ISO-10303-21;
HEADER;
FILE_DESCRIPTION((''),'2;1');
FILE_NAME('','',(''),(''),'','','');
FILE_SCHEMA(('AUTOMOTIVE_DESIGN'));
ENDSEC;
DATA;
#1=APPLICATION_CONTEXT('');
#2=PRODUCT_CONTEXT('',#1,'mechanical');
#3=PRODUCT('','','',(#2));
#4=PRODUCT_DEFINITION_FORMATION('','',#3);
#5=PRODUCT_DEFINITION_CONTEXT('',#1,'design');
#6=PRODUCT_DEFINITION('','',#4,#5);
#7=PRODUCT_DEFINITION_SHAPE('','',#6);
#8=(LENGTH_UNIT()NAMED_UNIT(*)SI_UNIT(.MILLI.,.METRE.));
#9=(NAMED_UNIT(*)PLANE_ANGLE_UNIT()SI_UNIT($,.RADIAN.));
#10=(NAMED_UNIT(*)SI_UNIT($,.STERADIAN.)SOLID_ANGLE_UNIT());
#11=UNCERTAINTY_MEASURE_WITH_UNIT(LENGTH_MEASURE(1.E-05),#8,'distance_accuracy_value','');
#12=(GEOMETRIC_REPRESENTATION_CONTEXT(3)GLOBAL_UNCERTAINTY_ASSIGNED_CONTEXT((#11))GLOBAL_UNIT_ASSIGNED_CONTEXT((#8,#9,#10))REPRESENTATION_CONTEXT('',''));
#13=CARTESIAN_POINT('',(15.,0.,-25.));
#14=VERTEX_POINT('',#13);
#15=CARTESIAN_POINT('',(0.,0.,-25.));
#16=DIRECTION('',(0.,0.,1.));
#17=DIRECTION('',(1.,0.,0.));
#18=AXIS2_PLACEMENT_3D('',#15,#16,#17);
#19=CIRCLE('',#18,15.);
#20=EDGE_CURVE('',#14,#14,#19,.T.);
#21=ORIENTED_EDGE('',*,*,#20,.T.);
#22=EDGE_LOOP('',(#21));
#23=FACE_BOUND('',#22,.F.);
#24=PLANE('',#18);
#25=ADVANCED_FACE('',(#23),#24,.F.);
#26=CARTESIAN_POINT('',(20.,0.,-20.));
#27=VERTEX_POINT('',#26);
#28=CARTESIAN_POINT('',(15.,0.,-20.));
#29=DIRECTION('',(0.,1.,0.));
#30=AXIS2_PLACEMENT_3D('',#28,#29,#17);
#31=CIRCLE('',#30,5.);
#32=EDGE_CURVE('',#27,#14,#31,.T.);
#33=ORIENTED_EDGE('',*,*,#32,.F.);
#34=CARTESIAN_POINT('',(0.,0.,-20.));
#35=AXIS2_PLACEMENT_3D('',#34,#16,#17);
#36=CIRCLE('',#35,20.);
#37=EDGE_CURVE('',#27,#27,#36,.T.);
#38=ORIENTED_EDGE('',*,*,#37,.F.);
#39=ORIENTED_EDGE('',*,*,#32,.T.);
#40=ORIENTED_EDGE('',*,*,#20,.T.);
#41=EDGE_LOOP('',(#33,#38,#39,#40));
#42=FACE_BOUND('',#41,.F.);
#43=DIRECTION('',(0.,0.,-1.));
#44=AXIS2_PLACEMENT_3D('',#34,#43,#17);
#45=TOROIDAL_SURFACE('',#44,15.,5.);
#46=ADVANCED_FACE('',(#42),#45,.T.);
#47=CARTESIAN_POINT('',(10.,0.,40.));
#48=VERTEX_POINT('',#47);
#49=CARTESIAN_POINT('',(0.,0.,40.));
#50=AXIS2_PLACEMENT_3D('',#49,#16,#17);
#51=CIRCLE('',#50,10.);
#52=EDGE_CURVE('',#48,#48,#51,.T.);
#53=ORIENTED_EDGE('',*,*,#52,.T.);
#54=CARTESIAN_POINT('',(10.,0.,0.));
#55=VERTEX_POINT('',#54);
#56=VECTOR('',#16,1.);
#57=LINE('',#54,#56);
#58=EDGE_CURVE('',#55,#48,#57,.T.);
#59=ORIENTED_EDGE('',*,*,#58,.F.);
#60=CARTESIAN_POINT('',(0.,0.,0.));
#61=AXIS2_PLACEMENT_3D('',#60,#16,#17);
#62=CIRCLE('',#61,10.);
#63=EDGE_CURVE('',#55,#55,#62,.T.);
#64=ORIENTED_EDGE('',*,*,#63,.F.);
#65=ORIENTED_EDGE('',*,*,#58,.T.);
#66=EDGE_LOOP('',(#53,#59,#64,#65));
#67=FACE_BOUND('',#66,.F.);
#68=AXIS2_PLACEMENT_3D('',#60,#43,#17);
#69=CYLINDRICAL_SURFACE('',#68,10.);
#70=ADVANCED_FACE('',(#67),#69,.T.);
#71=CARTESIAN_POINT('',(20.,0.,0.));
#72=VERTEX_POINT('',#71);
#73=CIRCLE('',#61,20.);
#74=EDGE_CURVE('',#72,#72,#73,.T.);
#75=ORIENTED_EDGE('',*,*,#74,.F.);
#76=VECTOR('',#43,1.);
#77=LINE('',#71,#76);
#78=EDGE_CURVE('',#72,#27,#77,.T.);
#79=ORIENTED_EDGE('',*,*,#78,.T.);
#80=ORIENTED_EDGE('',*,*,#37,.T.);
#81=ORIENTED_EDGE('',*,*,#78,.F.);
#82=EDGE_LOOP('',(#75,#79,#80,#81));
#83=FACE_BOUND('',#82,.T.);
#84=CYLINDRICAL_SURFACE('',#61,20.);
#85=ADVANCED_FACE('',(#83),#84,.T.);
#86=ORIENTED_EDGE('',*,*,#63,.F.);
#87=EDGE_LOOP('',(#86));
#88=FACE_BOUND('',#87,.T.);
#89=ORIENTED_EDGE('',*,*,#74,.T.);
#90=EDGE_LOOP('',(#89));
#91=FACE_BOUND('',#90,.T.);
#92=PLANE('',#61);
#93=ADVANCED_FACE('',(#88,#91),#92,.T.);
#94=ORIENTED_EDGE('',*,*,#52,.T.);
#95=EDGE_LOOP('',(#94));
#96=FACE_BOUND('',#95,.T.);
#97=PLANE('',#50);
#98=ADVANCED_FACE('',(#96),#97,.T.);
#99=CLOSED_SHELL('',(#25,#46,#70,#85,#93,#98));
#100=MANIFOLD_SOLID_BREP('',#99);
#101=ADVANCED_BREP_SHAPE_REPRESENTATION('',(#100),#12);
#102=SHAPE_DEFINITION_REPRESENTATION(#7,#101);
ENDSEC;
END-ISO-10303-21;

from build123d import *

# Parameters (mm, degrees)
F0_R     = 20
F1_DEPTH = 25
F2_R     = 10
F3_DEPTH = 40
F4_R     = 5


with BuildPart() as f1:
    # F0 (on Top) → F1 (new body)
    with BuildSketch(Plane.XY):
        Circle(F0_R)
    extrude(amount=-F1_DEPTH)

    # F2 (on Top) → F3 (join)
    with BuildSketch(Plane.XY):
        Circle(F2_R)
    extrude(amount=F3_DEPTH)

    # F4
    f4_edges = [f1.edges().sort_by_distance(p)[0] for p in [
        (-20, 0, -25),
    ]]
    fillet(f4_edges, radius=F4_R)


solid = f1.part
